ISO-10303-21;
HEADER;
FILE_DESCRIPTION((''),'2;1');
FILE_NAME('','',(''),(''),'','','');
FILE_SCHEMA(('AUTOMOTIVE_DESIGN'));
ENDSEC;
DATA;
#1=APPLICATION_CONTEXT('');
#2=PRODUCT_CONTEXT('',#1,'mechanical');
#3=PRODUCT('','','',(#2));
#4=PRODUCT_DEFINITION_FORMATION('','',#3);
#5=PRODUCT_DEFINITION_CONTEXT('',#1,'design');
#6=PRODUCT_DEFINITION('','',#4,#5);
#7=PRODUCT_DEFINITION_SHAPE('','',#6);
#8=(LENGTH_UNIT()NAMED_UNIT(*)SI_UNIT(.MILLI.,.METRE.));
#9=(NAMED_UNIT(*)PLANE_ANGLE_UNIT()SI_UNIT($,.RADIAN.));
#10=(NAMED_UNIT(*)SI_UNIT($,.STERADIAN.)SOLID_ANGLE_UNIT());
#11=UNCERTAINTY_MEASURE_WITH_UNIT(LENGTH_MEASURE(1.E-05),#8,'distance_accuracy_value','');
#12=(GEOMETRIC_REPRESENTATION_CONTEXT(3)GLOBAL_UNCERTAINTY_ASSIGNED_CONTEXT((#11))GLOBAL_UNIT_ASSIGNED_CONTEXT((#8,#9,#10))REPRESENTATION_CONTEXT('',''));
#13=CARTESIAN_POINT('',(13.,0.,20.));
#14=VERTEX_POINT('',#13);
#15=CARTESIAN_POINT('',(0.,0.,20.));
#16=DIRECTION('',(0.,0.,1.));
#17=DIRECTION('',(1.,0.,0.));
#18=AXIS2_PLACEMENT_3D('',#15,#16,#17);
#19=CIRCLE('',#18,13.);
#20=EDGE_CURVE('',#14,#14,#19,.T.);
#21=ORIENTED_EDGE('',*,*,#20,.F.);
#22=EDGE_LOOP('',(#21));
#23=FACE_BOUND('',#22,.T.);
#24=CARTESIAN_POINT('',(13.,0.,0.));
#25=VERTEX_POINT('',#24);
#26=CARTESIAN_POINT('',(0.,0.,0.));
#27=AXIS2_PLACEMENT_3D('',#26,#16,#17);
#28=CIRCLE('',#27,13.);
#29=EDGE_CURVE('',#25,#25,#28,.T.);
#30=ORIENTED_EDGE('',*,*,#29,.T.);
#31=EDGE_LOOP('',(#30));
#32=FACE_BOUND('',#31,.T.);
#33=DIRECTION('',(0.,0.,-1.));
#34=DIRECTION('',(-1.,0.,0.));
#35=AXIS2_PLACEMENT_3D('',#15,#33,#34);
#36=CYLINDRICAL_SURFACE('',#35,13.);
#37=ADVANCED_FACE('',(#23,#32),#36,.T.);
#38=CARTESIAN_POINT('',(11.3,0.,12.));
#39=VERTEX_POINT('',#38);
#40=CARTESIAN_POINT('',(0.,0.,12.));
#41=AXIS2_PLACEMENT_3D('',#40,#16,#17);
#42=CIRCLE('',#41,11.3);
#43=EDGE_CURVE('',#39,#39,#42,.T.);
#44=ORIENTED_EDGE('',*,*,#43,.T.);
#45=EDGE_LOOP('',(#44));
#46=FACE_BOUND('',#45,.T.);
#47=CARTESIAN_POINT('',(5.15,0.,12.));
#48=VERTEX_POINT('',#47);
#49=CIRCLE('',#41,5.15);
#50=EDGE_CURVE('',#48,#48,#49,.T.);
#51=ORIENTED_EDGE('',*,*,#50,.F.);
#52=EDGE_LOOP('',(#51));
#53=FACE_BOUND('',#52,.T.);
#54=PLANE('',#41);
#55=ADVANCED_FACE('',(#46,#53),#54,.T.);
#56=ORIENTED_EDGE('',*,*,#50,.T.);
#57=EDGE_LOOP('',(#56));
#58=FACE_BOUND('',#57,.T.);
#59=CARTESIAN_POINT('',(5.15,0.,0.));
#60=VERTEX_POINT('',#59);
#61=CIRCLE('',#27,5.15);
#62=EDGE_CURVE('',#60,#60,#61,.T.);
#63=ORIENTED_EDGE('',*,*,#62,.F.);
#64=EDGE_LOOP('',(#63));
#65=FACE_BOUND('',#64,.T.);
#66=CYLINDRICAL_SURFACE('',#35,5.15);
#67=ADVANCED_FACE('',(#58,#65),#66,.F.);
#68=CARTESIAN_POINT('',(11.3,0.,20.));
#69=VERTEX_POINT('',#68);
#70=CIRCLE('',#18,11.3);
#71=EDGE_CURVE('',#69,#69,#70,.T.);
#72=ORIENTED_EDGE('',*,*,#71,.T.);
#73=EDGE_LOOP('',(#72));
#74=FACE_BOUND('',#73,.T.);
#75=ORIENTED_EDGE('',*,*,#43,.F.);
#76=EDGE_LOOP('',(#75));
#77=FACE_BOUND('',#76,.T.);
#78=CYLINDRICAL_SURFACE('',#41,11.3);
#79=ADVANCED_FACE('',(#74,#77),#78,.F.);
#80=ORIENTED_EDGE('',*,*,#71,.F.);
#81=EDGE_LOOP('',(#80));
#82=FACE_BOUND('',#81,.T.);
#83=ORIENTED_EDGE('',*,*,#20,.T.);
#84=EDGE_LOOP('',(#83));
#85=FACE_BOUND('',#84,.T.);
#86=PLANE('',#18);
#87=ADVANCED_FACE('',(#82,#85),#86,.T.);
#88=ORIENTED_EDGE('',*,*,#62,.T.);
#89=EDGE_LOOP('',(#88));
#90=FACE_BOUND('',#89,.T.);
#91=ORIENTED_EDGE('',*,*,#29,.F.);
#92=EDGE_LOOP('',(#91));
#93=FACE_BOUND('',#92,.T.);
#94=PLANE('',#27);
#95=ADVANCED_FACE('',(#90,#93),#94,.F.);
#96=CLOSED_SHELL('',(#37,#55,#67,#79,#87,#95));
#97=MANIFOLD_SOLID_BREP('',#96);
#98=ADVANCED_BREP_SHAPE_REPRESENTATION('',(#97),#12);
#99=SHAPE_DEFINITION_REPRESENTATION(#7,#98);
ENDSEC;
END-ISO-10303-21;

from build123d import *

# Parameters (mm, degrees)
SKETCH1_R           = 13
SKETCH1_R_2         = 5.15
BOSS_EXTRUDE1_DEPTH = 20
SKETCH2_R           = 11.3
CUT_EXTRUDE1_DEPTH  = 8


with BuildPart() as part:
    # Sketch1 → Boss-Extrude1 (new body)
    with BuildSketch(Plane.XY):
        Circle(SKETCH1_R)
        Circle(SKETCH1_R_2, mode=Mode.SUBTRACT)
    extrude(amount=BOSS_EXTRUDE1_DEPTH)

    # Sketch2 → Cut-Extrude1 (cut)
    with BuildSketch(Plane.XY.offset(20)):
        Circle(SKETCH2_R)
    extrude(amount=-CUT_EXTRUDE1_DEPTH, mode=Mode.SUBTRACT)


solid = part.part
